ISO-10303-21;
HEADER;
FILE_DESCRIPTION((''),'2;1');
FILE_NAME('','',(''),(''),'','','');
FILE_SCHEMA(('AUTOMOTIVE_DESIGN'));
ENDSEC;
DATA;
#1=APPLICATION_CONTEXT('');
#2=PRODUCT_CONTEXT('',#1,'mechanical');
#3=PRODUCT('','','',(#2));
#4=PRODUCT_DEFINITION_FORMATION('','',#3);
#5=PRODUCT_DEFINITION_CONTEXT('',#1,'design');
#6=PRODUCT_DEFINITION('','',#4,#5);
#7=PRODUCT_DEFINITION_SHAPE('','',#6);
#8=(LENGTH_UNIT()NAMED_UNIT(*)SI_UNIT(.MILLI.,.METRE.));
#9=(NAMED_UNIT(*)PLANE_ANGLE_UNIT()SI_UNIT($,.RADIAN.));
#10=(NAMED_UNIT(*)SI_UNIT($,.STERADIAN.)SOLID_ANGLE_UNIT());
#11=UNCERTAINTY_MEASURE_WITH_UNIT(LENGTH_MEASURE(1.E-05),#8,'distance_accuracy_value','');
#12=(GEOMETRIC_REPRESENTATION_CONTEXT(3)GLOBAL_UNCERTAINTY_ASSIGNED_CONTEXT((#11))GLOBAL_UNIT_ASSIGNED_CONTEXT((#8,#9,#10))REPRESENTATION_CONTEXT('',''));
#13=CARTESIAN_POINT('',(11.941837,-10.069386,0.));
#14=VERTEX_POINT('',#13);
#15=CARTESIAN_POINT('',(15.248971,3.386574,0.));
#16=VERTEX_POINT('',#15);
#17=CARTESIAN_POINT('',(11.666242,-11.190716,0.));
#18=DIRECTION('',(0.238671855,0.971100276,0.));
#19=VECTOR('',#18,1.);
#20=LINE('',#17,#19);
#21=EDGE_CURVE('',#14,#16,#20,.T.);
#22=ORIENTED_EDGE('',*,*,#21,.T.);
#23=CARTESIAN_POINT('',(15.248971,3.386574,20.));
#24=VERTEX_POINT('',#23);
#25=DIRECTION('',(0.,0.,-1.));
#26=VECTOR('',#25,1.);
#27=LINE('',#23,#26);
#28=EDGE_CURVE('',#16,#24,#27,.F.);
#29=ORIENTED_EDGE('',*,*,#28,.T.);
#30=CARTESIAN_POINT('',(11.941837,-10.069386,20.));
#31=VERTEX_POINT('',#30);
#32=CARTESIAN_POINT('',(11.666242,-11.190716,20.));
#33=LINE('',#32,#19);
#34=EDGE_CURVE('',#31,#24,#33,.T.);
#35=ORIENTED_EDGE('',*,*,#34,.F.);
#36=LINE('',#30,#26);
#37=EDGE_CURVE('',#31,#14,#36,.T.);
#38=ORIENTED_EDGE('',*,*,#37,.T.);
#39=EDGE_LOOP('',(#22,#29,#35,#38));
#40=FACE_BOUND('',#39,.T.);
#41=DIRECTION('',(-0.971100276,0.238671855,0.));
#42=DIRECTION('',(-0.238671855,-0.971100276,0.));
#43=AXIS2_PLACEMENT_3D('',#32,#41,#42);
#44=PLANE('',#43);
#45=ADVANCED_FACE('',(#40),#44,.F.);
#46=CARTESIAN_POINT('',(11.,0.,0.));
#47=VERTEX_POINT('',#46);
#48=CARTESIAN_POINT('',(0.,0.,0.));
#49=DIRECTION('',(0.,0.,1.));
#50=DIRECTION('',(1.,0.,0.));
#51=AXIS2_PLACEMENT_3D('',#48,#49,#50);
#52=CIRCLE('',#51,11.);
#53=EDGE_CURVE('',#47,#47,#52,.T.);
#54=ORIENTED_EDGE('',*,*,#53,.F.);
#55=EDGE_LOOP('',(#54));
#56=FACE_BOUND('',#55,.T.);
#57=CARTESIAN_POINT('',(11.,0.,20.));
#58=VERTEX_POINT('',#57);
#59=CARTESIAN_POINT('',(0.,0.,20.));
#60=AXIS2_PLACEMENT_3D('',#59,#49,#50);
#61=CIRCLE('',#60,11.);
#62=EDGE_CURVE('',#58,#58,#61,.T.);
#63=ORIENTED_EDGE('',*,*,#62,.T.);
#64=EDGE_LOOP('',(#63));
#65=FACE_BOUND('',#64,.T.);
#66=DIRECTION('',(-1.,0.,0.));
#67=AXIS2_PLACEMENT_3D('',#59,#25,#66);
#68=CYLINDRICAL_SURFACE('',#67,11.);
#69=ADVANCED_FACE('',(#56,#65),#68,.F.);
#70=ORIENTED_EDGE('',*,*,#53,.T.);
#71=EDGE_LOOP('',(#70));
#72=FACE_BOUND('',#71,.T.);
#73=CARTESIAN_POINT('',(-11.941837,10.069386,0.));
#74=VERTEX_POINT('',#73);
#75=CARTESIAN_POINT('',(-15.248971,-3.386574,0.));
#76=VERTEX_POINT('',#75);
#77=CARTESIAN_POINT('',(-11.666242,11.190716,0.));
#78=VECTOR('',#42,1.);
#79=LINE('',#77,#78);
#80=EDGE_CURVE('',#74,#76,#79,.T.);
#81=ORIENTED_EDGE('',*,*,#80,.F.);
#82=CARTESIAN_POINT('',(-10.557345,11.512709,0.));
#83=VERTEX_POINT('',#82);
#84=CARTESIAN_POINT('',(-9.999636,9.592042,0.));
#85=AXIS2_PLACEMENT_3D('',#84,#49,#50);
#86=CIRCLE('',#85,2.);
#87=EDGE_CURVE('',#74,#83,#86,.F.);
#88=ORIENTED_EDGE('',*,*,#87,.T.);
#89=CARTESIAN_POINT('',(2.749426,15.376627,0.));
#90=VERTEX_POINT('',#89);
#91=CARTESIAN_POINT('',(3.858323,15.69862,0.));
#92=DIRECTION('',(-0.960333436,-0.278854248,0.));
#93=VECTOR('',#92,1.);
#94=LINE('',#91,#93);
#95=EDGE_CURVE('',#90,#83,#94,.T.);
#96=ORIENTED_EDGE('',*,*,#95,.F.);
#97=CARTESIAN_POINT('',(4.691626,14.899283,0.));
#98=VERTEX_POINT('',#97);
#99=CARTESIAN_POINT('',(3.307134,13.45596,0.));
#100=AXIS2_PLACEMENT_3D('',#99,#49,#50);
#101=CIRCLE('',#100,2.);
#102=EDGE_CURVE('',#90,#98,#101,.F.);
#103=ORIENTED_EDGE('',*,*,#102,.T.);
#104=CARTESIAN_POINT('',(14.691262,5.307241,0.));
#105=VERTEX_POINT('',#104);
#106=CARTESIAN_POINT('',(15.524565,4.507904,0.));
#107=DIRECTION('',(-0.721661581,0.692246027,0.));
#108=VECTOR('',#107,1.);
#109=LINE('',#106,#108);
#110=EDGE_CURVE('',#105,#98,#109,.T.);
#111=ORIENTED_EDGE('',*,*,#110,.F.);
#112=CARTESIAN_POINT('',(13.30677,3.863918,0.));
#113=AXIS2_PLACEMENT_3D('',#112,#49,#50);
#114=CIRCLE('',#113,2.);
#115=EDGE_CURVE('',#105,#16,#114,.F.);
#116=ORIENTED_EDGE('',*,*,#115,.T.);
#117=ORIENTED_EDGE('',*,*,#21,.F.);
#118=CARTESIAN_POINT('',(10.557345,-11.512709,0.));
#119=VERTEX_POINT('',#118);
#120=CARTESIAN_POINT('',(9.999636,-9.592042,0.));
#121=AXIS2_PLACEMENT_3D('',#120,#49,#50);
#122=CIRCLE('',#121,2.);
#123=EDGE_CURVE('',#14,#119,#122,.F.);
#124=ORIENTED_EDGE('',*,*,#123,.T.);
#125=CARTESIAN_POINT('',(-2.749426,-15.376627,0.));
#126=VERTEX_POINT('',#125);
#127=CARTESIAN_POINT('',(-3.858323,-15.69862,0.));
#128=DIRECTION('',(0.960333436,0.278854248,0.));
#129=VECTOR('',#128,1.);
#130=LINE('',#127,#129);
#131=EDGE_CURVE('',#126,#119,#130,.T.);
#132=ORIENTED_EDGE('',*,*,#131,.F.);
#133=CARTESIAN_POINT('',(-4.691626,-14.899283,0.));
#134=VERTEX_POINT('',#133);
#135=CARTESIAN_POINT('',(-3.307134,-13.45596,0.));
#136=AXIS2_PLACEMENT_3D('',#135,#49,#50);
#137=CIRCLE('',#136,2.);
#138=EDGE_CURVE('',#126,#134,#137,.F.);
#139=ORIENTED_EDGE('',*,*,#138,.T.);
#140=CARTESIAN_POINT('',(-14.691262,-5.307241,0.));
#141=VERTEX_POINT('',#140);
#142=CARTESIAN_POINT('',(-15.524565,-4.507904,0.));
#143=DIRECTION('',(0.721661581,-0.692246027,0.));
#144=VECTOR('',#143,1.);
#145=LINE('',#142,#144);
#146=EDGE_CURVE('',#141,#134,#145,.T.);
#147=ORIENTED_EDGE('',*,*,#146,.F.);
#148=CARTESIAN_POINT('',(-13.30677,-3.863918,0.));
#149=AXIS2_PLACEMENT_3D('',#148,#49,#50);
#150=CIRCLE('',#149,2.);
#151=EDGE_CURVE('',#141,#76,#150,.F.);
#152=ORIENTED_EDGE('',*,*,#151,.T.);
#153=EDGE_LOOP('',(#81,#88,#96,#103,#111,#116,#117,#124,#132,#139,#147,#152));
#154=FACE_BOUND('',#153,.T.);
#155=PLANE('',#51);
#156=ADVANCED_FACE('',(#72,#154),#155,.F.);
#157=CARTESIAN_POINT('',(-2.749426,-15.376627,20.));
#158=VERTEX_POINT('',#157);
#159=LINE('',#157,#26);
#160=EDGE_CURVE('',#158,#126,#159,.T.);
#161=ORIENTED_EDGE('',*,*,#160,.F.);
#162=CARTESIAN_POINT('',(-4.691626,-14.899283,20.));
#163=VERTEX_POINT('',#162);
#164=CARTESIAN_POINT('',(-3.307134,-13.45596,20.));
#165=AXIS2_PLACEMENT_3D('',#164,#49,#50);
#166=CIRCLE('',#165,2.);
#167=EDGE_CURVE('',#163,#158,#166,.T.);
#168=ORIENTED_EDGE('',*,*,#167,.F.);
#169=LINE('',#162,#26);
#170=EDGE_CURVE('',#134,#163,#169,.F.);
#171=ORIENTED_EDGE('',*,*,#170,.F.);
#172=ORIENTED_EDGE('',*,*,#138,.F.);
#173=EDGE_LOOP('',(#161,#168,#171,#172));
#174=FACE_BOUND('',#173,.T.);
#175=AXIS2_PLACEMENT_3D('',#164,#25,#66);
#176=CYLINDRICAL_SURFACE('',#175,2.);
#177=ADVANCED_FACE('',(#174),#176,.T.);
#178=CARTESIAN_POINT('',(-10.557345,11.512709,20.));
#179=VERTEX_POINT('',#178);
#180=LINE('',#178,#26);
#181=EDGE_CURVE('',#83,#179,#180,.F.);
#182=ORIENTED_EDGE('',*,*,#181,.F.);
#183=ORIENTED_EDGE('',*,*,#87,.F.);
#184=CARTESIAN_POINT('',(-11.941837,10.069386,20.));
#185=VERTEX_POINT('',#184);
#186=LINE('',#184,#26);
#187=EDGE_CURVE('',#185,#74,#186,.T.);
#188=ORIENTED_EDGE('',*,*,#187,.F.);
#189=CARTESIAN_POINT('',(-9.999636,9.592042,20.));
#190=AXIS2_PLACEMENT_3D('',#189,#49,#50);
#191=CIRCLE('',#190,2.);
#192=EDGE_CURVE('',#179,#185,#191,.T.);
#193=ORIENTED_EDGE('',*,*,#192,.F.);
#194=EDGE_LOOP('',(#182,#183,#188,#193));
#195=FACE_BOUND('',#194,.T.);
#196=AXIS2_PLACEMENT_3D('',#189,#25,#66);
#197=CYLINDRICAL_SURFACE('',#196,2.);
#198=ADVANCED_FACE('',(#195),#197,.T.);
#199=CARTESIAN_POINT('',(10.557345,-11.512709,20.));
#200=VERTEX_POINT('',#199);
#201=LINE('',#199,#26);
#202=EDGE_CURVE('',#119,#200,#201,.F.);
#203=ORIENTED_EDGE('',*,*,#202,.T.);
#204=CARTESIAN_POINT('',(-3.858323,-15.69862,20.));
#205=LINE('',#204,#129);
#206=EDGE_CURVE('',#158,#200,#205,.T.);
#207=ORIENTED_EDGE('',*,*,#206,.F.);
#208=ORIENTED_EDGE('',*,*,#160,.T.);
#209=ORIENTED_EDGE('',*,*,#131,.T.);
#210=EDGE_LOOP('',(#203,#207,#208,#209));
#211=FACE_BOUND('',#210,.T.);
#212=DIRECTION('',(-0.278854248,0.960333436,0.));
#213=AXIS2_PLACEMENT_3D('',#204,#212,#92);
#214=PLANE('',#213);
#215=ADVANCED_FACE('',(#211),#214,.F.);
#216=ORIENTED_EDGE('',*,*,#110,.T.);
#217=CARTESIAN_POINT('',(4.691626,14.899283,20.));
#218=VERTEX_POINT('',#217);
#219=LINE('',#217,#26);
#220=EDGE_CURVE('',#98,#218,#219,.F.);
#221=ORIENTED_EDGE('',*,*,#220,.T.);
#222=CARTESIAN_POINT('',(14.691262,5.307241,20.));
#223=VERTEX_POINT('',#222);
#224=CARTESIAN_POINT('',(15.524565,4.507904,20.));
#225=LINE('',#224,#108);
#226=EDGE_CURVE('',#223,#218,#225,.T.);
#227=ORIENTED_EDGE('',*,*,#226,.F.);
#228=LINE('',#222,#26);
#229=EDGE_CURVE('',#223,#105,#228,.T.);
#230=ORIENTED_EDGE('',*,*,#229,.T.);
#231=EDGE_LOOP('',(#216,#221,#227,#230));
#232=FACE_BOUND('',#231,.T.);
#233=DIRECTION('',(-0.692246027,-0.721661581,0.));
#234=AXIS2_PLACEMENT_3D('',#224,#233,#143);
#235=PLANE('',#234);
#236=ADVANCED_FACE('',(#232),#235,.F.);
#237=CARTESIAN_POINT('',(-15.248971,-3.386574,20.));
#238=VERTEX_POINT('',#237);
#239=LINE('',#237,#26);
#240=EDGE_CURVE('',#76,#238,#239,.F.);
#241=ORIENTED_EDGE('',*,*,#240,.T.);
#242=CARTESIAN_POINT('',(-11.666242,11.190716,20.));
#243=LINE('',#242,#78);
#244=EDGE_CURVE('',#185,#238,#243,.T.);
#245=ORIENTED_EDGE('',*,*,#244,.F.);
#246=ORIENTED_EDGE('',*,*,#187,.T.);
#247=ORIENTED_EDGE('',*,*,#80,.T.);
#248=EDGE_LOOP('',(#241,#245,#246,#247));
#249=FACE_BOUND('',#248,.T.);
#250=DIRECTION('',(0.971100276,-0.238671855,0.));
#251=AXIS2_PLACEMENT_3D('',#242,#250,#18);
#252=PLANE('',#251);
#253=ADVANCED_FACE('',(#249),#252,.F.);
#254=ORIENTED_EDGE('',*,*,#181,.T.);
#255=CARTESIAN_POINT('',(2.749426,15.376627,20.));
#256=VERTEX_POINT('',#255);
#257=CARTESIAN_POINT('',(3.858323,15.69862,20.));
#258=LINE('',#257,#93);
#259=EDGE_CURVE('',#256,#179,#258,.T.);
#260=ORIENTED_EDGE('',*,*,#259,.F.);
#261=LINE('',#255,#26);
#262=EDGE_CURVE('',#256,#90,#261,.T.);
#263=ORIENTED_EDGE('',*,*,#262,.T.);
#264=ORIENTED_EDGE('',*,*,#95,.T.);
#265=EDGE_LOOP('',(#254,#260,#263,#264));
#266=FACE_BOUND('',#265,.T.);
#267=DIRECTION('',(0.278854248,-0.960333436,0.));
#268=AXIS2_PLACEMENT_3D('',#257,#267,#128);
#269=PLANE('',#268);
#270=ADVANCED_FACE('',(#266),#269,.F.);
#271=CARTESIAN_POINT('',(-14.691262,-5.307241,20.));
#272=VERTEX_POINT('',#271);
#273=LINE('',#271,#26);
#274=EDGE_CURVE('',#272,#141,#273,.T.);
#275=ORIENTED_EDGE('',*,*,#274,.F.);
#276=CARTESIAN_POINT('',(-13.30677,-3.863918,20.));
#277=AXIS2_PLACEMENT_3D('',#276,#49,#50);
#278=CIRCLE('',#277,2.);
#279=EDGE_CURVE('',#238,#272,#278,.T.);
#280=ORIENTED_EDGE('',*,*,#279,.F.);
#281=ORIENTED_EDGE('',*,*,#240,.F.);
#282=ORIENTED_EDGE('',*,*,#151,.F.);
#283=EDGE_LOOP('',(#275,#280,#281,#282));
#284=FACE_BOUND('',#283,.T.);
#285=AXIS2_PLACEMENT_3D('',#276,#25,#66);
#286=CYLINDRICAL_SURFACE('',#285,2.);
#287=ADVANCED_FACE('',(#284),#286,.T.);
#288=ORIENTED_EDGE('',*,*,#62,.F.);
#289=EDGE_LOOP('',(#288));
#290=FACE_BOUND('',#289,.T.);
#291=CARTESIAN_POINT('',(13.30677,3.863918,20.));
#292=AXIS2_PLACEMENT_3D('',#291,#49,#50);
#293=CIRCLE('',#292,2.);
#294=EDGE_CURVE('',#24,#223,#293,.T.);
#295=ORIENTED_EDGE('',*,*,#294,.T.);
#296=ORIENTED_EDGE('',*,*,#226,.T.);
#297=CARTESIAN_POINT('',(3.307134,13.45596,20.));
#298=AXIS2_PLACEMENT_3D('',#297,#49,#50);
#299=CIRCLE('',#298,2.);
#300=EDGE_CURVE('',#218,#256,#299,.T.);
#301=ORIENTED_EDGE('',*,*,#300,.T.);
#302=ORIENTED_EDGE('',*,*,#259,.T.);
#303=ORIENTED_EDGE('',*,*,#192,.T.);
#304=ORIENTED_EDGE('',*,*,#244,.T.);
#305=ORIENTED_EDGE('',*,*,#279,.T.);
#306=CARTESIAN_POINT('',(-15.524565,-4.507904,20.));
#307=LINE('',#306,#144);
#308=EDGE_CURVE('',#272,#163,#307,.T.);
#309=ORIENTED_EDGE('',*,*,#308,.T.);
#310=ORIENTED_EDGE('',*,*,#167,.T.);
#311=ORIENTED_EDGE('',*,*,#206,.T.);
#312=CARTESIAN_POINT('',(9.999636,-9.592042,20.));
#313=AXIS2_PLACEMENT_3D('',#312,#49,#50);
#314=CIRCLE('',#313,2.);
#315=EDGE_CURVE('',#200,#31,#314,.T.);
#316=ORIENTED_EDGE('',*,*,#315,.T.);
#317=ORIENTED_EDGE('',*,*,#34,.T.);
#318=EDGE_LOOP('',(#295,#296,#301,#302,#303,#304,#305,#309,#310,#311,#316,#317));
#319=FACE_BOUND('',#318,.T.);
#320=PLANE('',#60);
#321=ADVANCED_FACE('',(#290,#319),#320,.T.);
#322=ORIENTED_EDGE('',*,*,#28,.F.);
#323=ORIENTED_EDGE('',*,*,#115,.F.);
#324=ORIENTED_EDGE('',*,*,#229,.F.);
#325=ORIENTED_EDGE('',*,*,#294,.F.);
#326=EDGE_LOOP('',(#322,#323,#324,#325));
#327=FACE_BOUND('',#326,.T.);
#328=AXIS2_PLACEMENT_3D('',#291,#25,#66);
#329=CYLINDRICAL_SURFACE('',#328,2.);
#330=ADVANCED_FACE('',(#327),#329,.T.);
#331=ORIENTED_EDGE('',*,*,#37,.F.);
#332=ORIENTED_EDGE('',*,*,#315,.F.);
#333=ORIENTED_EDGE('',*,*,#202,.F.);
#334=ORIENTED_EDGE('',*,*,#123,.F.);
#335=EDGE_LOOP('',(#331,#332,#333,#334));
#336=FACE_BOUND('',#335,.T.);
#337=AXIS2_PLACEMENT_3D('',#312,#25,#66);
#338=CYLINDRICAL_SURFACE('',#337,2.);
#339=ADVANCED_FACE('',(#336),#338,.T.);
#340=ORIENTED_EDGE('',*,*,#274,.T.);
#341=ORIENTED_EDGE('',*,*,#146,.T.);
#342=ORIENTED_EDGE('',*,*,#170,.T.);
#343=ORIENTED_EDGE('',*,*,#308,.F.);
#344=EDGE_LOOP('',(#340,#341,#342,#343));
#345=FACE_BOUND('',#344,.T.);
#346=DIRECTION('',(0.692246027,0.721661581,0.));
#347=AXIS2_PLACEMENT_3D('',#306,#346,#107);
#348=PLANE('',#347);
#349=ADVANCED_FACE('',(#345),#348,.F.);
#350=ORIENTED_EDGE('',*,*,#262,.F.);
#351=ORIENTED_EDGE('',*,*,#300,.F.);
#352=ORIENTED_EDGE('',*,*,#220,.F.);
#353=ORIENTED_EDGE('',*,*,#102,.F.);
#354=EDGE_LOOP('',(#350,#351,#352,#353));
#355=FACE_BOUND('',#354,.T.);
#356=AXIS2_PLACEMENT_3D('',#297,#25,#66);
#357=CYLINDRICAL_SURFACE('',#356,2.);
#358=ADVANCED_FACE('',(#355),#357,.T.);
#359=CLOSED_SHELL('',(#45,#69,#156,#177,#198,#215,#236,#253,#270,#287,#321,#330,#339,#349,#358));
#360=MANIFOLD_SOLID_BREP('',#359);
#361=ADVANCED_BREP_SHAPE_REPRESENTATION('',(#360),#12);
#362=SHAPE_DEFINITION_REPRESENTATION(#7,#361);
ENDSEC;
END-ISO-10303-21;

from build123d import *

# Parameters (mm, degrees)
SKETCH3_R           = 11
BOSS_EXTRUDE1_DEPTH = 20
FILLET1_R           = 2


with BuildPart() as part:
    # Sketch3 → Boss-Extrude1 (new body)
    with BuildSketch(Plane.XY):
        Polygon((11.666242226, -11.190716048), (15.524565497, 4.50790411), (3.858323271, 15.698620158), (-11.666242226, 11.190716048), (-15.524565497, -4.50790411), (-3.858323271, -15.698620158), align=None)
        Circle(SKETCH3_R, mode=Mode.SUBTRACT)
    extrude(amount=BOSS_EXTRUDE1_DEPTH)

    # Fillet1
    fillet1_edges = [part.edges().sort_by_distance(p)[0] for p in [
        (-3.858323271, -15.698620158, 10),
        (-15.524565497, -4.50790411, 10),
        (-11.666242226, 11.190716048, 10),
        (3.858323271, 15.698620158, 10),
        (15.524565497, 4.50790411, 10),
        (11.666242226, -11.190716048, 10),
    ]]
    fillet(fillet1_edges, radius=FILLET1_R)


solid = part.part
